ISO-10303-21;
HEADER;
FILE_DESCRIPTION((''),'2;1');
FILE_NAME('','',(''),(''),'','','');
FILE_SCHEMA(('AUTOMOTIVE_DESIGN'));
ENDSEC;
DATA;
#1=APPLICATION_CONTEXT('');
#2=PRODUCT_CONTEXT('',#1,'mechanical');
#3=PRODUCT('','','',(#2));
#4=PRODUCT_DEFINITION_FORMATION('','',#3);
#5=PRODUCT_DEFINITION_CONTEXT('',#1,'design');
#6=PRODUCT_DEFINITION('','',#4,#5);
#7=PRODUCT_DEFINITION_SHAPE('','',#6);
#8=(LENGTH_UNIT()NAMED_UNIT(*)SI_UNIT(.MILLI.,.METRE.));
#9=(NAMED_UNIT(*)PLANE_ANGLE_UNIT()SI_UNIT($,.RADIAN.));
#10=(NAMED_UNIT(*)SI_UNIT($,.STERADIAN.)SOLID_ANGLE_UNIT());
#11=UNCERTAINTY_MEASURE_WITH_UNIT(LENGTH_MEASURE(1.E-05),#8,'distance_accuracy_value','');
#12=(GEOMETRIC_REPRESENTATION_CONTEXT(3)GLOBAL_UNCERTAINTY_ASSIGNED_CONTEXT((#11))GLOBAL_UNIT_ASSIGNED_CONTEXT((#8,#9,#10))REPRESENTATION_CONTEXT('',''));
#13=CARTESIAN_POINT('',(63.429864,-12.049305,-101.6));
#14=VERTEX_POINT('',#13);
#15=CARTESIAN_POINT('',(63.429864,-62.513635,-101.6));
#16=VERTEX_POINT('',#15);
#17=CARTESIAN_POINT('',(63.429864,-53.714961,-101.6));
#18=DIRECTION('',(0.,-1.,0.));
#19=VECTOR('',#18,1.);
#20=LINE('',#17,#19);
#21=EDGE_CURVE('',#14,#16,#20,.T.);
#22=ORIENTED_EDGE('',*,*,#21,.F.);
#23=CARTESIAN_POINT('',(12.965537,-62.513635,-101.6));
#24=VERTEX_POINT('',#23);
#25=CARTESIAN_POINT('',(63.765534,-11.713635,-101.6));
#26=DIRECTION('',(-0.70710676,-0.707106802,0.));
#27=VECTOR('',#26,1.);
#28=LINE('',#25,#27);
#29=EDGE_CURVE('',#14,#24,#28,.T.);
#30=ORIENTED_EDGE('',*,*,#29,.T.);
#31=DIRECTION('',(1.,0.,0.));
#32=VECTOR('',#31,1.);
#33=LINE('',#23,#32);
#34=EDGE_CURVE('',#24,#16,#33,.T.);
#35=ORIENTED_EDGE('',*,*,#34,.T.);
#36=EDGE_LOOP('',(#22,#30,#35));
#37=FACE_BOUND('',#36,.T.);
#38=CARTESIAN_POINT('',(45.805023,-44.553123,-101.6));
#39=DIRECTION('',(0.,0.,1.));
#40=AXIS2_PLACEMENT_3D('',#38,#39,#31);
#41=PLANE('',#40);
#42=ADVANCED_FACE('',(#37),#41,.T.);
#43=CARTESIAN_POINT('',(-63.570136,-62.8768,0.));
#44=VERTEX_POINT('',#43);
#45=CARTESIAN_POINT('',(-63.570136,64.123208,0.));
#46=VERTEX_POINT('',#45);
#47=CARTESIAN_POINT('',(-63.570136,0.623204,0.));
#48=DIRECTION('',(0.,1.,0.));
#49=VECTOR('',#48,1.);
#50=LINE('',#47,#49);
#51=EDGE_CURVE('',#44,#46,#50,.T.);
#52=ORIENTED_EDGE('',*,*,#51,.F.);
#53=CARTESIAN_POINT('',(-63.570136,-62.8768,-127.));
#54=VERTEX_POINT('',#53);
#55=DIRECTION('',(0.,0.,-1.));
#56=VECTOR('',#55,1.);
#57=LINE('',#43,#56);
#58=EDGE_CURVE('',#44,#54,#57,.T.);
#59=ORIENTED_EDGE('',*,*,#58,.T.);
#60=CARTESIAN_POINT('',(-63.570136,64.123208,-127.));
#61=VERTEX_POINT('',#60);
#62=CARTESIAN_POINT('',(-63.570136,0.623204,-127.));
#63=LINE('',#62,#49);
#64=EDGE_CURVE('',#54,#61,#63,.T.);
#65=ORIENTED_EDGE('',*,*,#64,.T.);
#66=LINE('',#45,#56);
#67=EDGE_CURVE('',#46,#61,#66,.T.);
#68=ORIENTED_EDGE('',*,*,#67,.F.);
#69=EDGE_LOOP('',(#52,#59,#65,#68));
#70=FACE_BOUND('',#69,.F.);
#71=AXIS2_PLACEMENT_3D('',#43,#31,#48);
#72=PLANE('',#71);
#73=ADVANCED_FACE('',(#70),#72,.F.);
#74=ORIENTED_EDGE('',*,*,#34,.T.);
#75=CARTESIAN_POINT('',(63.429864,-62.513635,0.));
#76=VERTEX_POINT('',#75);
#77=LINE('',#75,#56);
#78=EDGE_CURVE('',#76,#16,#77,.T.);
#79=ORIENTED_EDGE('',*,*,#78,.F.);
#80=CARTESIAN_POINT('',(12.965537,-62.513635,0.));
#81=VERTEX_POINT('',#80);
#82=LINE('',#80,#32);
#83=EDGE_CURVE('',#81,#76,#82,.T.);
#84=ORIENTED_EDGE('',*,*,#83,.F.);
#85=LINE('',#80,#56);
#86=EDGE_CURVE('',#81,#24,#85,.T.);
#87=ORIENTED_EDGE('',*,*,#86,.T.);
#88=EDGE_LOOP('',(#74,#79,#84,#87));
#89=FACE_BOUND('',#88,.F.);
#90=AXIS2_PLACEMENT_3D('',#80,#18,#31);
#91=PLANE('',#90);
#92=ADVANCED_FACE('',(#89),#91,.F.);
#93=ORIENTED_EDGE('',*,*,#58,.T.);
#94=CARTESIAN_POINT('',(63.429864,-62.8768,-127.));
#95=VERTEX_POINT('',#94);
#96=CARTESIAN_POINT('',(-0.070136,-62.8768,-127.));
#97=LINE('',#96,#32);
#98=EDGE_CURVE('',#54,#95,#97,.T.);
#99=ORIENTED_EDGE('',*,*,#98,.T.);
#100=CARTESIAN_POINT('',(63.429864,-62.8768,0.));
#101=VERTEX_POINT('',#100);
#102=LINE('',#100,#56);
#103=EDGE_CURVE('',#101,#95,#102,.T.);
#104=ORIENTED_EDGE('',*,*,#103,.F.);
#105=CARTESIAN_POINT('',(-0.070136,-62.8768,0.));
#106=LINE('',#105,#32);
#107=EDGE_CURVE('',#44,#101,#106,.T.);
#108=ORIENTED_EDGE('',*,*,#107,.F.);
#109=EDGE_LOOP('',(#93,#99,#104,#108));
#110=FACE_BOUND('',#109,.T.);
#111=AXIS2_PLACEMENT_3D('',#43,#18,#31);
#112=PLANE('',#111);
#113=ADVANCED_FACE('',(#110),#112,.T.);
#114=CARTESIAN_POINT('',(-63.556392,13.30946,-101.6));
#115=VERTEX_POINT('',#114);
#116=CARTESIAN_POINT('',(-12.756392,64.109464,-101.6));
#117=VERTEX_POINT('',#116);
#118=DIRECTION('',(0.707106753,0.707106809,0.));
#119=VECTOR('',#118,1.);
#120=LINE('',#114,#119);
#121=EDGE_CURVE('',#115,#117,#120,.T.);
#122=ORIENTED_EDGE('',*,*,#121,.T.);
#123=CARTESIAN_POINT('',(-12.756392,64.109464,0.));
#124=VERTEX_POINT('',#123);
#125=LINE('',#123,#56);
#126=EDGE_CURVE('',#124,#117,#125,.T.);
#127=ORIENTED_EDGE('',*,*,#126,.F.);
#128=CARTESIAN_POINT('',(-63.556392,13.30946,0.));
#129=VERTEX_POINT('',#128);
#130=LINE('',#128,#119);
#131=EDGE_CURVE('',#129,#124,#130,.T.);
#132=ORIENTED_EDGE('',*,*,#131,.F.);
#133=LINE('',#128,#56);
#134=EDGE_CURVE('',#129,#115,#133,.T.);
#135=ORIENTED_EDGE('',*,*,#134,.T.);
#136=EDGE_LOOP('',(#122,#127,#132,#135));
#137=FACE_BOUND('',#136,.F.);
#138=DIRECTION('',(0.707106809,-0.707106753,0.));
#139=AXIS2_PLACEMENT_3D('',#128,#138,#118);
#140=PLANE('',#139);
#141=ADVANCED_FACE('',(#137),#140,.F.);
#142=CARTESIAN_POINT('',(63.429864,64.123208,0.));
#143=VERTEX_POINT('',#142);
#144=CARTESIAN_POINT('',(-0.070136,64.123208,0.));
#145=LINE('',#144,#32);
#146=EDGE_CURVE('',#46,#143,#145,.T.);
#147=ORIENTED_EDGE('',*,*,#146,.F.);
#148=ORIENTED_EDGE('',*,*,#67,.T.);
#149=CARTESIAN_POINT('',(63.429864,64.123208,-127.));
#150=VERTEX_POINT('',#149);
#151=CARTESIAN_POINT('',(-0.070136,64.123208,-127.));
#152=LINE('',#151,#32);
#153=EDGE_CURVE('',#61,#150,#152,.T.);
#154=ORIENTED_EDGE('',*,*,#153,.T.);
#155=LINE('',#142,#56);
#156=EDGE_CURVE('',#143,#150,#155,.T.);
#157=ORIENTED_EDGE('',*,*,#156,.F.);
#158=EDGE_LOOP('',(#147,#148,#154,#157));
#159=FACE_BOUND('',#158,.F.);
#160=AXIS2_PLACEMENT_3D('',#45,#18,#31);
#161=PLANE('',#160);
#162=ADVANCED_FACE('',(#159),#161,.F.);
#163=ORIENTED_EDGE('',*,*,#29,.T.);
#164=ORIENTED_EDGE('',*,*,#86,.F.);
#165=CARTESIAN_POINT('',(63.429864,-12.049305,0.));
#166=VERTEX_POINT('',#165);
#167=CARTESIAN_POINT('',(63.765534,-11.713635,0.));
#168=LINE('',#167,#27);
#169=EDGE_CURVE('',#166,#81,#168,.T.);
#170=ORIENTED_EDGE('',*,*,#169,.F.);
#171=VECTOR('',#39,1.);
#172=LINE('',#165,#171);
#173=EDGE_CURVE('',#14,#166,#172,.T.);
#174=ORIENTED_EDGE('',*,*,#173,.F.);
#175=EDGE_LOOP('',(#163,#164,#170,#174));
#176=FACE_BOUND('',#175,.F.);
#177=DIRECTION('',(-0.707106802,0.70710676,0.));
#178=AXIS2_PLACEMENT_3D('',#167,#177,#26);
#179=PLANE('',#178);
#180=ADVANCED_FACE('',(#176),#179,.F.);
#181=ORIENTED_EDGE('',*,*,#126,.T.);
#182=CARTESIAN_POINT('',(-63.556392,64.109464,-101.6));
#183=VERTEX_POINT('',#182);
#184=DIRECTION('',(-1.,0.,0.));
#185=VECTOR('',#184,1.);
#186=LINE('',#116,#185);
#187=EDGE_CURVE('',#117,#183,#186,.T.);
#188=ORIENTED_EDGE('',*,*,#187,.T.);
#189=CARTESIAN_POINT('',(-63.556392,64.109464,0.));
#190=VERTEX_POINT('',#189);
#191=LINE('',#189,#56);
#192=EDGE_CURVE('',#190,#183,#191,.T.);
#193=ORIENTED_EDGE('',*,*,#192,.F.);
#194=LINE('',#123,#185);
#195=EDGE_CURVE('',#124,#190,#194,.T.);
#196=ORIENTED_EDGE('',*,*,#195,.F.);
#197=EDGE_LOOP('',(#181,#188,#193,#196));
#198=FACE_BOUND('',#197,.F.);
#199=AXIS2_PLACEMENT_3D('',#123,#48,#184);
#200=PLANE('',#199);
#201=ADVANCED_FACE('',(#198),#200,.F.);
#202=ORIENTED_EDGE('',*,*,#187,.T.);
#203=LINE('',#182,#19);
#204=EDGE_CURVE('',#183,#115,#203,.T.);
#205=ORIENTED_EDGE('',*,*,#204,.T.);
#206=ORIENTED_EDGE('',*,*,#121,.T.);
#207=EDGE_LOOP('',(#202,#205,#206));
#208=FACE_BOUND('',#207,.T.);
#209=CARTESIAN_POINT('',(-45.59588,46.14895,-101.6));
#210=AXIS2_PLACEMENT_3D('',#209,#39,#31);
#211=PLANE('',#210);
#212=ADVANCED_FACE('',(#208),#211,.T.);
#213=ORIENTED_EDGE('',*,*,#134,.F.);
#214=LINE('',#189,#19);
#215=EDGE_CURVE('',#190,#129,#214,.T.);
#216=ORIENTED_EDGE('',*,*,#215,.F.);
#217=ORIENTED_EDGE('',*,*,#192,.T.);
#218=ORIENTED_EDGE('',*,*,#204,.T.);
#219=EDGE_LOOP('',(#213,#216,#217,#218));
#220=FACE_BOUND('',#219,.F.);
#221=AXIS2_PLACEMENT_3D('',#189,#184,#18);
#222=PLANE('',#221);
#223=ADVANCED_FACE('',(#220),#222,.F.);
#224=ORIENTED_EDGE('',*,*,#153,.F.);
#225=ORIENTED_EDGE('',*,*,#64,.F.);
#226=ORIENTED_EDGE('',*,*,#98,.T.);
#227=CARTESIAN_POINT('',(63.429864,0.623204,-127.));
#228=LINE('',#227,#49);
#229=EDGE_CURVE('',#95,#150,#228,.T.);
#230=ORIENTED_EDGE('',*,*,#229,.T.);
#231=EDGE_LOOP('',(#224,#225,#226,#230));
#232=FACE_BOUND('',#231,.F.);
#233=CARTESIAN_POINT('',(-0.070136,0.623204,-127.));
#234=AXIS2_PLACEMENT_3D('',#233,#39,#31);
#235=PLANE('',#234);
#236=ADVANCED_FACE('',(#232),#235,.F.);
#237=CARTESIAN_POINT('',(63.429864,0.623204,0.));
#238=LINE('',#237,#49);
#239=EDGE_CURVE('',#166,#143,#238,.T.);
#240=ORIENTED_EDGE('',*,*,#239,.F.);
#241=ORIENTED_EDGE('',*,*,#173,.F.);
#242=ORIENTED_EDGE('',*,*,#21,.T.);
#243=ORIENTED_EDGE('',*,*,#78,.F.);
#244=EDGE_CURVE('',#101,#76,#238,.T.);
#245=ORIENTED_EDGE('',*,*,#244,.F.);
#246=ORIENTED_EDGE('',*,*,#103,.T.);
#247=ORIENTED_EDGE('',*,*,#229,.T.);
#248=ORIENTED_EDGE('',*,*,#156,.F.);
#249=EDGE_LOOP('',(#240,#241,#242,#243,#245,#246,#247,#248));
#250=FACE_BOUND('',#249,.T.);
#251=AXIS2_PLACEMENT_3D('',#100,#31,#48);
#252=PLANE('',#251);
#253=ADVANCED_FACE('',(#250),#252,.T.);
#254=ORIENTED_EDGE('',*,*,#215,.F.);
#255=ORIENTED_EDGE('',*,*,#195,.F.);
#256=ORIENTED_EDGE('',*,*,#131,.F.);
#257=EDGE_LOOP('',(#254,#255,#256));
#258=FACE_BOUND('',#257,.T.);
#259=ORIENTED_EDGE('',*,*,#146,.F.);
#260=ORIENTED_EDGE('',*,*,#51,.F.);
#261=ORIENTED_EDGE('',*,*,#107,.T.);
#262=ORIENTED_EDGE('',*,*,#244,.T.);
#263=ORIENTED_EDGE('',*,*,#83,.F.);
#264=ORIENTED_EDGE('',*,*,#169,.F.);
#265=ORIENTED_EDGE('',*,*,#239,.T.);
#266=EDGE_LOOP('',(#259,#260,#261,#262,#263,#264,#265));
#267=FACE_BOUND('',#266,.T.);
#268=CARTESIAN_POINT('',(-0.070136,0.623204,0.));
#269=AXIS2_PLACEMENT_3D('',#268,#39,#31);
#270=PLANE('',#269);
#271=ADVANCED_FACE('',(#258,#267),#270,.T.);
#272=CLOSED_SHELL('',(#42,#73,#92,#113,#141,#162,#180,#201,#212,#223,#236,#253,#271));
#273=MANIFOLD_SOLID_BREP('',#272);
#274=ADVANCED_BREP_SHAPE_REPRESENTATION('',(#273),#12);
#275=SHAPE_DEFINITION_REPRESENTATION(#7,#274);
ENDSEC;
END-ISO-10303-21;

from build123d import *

# Parameters (mm, degrees)
F0_W     = 127
F0_H     = 127.000008
F3_DEPTH = 127
F4_DEPTH = 101.6


with BuildPart() as f3:
    # F0 (on Top) → F3 (new body)
    with BuildSketch(Plane.XY):
        with Locations((-0.070136, 0.623204)):
            Rectangle(F0_W, F0_H)
    extrude(amount=-F3_DEPTH)

    # F2 (on Top) + F1 (on Top) → F4 (cut)
    with BuildSketch(Plane.XY):
        Polygon((12.965537, -62.513635), (63.765534, -62.513635), (63.765534, -11.713635), align=None)
    with BuildSketch(Plane.XY):
        Polygon((-12.756392, 64.109464), (-63.556392, 64.109464), (-63.556392, 13.30946), align=None)
    extrude(amount=-F4_DEPTH, mode=Mode.SUBTRACT)


solid = f3.part
